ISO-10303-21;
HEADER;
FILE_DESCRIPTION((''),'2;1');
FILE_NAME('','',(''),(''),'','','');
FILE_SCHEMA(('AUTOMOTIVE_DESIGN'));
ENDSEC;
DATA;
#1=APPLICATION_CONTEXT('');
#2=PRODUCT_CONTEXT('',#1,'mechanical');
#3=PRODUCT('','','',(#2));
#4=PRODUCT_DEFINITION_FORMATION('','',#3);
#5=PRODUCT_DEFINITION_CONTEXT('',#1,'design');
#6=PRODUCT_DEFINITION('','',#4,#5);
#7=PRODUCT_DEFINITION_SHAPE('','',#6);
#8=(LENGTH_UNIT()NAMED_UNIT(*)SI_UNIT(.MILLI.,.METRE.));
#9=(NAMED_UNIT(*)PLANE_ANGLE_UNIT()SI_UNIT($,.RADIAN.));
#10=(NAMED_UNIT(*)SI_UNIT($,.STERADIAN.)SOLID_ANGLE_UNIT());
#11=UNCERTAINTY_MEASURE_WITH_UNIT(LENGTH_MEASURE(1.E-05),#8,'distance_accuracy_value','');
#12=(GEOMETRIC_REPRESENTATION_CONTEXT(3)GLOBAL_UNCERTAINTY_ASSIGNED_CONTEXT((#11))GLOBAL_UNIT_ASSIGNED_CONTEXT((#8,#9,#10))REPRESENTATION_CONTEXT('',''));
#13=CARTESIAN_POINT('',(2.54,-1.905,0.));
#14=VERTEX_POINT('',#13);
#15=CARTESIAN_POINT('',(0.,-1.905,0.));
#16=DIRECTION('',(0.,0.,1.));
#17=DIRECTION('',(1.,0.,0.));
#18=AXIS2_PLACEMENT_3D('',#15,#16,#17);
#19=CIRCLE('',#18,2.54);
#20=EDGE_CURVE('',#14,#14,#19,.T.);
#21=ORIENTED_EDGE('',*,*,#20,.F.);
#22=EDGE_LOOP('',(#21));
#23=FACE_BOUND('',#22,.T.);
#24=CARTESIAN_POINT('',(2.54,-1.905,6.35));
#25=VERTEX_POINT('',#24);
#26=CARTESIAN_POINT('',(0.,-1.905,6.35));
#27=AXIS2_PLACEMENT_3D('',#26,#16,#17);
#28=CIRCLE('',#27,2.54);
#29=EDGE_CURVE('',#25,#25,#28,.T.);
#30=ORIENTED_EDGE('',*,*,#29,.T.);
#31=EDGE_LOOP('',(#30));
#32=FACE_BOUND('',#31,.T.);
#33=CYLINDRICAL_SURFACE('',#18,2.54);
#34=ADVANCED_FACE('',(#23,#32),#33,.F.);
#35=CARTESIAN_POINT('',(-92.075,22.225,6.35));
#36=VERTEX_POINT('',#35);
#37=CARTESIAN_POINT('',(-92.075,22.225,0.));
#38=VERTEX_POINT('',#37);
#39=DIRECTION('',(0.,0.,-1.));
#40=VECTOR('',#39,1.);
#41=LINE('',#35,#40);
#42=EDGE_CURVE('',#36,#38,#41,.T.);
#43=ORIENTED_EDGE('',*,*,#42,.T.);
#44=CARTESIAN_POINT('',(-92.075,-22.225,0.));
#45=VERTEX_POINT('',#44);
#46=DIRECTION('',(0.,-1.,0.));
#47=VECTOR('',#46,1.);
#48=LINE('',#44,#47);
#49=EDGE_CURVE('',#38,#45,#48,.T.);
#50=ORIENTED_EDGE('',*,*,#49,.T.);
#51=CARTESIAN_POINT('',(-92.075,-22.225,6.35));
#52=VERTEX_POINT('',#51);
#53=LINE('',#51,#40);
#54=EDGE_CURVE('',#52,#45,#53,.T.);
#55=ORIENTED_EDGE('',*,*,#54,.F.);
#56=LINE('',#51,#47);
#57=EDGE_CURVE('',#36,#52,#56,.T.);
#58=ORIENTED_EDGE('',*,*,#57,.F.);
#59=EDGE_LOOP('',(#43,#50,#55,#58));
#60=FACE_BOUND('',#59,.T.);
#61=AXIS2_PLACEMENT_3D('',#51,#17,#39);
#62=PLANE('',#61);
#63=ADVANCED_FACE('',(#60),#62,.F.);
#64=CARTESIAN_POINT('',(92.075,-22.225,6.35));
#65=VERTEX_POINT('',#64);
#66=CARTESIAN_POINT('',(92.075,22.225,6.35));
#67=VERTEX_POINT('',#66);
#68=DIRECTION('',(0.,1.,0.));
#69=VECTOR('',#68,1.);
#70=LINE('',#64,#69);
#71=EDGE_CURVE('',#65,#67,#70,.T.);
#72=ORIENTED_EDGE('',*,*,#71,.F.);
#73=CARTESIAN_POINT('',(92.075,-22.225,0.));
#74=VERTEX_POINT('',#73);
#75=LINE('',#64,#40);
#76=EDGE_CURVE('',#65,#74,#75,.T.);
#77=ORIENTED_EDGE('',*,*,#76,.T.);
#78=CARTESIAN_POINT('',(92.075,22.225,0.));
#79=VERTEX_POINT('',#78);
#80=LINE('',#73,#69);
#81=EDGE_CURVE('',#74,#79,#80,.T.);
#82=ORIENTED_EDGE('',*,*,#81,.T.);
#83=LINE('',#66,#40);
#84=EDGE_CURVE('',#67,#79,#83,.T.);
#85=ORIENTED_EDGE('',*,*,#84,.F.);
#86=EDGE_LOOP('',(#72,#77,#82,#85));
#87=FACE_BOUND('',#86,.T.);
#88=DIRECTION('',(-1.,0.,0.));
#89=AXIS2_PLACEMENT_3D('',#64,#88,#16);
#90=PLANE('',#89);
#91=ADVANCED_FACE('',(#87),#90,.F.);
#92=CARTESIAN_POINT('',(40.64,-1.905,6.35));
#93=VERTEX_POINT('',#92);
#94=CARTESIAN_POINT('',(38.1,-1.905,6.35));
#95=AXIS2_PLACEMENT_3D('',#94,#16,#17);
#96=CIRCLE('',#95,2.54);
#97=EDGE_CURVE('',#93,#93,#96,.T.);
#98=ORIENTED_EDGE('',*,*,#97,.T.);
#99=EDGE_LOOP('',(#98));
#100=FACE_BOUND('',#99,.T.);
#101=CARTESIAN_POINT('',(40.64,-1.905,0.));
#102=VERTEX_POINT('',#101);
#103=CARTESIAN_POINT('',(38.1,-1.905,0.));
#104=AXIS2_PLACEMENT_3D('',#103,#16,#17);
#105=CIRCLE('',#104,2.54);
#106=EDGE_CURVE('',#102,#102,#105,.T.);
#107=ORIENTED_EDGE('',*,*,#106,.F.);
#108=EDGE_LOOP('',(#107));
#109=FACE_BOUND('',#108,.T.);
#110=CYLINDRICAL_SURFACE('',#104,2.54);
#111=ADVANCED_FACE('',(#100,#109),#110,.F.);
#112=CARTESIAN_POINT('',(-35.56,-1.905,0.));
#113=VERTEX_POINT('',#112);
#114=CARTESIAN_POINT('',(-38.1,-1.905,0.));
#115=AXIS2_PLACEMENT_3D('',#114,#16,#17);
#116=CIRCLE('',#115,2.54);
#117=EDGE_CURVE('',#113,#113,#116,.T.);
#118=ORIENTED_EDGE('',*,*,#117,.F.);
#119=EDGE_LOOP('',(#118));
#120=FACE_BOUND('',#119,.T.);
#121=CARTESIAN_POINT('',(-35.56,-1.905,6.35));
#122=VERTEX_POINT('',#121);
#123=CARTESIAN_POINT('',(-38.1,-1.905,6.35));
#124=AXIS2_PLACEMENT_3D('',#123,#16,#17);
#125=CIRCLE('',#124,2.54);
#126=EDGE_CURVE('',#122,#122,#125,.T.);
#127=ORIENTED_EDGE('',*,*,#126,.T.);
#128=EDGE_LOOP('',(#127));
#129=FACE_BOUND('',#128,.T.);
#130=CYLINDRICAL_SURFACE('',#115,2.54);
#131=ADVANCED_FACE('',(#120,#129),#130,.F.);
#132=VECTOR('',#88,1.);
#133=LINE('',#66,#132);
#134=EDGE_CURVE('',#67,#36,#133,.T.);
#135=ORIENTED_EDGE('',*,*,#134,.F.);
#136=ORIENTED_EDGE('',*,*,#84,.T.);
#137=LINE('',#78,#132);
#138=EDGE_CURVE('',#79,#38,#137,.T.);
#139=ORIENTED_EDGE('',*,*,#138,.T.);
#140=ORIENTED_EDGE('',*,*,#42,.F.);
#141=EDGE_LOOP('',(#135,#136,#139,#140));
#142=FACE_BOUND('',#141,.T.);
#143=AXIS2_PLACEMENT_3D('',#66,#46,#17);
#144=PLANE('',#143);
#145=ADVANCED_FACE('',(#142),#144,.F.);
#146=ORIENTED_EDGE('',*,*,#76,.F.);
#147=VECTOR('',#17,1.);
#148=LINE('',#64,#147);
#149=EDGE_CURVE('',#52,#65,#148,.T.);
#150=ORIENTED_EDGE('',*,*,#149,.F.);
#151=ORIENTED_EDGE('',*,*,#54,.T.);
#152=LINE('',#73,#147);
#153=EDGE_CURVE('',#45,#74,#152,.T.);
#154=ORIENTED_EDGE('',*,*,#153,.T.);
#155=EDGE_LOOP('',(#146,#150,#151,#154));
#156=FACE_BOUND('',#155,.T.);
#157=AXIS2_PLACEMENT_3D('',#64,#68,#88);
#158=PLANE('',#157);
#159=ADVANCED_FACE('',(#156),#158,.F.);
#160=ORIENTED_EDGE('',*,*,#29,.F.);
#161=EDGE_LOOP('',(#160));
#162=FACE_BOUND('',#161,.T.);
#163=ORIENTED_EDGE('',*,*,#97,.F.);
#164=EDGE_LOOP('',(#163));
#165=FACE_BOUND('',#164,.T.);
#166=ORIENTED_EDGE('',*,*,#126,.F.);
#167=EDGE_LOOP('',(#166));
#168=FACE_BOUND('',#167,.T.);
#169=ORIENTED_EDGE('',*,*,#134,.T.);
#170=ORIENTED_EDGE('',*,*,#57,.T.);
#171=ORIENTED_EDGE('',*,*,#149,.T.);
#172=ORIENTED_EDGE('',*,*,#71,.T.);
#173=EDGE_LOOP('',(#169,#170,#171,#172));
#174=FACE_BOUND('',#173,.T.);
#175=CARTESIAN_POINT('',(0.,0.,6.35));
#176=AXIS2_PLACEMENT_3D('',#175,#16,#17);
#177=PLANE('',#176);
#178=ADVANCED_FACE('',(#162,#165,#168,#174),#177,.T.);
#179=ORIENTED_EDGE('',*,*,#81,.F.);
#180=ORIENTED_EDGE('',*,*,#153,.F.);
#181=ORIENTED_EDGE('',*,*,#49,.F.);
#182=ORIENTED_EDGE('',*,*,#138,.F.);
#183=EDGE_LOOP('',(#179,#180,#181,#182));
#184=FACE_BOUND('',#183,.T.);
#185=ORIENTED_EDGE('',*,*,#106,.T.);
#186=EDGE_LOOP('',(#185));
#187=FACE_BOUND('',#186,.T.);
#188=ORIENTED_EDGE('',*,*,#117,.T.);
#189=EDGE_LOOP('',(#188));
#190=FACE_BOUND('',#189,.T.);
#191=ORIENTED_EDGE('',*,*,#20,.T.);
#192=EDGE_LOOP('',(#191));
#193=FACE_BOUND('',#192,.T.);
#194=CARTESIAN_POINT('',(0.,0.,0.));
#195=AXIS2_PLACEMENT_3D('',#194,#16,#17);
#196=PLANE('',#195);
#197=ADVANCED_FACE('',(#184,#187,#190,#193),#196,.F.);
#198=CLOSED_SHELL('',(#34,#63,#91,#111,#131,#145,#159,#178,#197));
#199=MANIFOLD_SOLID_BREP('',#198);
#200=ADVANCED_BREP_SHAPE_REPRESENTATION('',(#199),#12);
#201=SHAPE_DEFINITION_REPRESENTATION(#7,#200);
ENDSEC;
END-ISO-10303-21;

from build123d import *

# Parameters (mm, degrees)
SKETCH1_W           = 184.15
SKETCH1_H           = 44.45
BOSS_EXTRUDE1_DEPTH = 6.35
SKETCH2_R           = 2.54
CUT_EXTRUDE1_DEPTH  = 7.35


with BuildPart() as part:
    # Sketch1 → Boss-Extrude1 (new body)
    with BuildSketch(Plane.XY):
        Rectangle(SKETCH1_W, SKETCH1_H)
    extrude(amount=BOSS_EXTRUDE1_DEPTH)

    # Sketch2 → Cut-Extrude1 (cut, through all)
    with BuildSketch(Plane.XY.offset(6.35)):
        with Locations((-38.1, -1.905)):
            Circle(SKETCH2_R)
        with Locations((0, -1.905)):
            Circle(SKETCH2_R)
        with Locations((38.1, -1.905)):
            Circle(SKETCH2_R)
    extrude(amount=-CUT_EXTRUDE1_DEPTH, mode=Mode.SUBTRACT)


solid = part.part
